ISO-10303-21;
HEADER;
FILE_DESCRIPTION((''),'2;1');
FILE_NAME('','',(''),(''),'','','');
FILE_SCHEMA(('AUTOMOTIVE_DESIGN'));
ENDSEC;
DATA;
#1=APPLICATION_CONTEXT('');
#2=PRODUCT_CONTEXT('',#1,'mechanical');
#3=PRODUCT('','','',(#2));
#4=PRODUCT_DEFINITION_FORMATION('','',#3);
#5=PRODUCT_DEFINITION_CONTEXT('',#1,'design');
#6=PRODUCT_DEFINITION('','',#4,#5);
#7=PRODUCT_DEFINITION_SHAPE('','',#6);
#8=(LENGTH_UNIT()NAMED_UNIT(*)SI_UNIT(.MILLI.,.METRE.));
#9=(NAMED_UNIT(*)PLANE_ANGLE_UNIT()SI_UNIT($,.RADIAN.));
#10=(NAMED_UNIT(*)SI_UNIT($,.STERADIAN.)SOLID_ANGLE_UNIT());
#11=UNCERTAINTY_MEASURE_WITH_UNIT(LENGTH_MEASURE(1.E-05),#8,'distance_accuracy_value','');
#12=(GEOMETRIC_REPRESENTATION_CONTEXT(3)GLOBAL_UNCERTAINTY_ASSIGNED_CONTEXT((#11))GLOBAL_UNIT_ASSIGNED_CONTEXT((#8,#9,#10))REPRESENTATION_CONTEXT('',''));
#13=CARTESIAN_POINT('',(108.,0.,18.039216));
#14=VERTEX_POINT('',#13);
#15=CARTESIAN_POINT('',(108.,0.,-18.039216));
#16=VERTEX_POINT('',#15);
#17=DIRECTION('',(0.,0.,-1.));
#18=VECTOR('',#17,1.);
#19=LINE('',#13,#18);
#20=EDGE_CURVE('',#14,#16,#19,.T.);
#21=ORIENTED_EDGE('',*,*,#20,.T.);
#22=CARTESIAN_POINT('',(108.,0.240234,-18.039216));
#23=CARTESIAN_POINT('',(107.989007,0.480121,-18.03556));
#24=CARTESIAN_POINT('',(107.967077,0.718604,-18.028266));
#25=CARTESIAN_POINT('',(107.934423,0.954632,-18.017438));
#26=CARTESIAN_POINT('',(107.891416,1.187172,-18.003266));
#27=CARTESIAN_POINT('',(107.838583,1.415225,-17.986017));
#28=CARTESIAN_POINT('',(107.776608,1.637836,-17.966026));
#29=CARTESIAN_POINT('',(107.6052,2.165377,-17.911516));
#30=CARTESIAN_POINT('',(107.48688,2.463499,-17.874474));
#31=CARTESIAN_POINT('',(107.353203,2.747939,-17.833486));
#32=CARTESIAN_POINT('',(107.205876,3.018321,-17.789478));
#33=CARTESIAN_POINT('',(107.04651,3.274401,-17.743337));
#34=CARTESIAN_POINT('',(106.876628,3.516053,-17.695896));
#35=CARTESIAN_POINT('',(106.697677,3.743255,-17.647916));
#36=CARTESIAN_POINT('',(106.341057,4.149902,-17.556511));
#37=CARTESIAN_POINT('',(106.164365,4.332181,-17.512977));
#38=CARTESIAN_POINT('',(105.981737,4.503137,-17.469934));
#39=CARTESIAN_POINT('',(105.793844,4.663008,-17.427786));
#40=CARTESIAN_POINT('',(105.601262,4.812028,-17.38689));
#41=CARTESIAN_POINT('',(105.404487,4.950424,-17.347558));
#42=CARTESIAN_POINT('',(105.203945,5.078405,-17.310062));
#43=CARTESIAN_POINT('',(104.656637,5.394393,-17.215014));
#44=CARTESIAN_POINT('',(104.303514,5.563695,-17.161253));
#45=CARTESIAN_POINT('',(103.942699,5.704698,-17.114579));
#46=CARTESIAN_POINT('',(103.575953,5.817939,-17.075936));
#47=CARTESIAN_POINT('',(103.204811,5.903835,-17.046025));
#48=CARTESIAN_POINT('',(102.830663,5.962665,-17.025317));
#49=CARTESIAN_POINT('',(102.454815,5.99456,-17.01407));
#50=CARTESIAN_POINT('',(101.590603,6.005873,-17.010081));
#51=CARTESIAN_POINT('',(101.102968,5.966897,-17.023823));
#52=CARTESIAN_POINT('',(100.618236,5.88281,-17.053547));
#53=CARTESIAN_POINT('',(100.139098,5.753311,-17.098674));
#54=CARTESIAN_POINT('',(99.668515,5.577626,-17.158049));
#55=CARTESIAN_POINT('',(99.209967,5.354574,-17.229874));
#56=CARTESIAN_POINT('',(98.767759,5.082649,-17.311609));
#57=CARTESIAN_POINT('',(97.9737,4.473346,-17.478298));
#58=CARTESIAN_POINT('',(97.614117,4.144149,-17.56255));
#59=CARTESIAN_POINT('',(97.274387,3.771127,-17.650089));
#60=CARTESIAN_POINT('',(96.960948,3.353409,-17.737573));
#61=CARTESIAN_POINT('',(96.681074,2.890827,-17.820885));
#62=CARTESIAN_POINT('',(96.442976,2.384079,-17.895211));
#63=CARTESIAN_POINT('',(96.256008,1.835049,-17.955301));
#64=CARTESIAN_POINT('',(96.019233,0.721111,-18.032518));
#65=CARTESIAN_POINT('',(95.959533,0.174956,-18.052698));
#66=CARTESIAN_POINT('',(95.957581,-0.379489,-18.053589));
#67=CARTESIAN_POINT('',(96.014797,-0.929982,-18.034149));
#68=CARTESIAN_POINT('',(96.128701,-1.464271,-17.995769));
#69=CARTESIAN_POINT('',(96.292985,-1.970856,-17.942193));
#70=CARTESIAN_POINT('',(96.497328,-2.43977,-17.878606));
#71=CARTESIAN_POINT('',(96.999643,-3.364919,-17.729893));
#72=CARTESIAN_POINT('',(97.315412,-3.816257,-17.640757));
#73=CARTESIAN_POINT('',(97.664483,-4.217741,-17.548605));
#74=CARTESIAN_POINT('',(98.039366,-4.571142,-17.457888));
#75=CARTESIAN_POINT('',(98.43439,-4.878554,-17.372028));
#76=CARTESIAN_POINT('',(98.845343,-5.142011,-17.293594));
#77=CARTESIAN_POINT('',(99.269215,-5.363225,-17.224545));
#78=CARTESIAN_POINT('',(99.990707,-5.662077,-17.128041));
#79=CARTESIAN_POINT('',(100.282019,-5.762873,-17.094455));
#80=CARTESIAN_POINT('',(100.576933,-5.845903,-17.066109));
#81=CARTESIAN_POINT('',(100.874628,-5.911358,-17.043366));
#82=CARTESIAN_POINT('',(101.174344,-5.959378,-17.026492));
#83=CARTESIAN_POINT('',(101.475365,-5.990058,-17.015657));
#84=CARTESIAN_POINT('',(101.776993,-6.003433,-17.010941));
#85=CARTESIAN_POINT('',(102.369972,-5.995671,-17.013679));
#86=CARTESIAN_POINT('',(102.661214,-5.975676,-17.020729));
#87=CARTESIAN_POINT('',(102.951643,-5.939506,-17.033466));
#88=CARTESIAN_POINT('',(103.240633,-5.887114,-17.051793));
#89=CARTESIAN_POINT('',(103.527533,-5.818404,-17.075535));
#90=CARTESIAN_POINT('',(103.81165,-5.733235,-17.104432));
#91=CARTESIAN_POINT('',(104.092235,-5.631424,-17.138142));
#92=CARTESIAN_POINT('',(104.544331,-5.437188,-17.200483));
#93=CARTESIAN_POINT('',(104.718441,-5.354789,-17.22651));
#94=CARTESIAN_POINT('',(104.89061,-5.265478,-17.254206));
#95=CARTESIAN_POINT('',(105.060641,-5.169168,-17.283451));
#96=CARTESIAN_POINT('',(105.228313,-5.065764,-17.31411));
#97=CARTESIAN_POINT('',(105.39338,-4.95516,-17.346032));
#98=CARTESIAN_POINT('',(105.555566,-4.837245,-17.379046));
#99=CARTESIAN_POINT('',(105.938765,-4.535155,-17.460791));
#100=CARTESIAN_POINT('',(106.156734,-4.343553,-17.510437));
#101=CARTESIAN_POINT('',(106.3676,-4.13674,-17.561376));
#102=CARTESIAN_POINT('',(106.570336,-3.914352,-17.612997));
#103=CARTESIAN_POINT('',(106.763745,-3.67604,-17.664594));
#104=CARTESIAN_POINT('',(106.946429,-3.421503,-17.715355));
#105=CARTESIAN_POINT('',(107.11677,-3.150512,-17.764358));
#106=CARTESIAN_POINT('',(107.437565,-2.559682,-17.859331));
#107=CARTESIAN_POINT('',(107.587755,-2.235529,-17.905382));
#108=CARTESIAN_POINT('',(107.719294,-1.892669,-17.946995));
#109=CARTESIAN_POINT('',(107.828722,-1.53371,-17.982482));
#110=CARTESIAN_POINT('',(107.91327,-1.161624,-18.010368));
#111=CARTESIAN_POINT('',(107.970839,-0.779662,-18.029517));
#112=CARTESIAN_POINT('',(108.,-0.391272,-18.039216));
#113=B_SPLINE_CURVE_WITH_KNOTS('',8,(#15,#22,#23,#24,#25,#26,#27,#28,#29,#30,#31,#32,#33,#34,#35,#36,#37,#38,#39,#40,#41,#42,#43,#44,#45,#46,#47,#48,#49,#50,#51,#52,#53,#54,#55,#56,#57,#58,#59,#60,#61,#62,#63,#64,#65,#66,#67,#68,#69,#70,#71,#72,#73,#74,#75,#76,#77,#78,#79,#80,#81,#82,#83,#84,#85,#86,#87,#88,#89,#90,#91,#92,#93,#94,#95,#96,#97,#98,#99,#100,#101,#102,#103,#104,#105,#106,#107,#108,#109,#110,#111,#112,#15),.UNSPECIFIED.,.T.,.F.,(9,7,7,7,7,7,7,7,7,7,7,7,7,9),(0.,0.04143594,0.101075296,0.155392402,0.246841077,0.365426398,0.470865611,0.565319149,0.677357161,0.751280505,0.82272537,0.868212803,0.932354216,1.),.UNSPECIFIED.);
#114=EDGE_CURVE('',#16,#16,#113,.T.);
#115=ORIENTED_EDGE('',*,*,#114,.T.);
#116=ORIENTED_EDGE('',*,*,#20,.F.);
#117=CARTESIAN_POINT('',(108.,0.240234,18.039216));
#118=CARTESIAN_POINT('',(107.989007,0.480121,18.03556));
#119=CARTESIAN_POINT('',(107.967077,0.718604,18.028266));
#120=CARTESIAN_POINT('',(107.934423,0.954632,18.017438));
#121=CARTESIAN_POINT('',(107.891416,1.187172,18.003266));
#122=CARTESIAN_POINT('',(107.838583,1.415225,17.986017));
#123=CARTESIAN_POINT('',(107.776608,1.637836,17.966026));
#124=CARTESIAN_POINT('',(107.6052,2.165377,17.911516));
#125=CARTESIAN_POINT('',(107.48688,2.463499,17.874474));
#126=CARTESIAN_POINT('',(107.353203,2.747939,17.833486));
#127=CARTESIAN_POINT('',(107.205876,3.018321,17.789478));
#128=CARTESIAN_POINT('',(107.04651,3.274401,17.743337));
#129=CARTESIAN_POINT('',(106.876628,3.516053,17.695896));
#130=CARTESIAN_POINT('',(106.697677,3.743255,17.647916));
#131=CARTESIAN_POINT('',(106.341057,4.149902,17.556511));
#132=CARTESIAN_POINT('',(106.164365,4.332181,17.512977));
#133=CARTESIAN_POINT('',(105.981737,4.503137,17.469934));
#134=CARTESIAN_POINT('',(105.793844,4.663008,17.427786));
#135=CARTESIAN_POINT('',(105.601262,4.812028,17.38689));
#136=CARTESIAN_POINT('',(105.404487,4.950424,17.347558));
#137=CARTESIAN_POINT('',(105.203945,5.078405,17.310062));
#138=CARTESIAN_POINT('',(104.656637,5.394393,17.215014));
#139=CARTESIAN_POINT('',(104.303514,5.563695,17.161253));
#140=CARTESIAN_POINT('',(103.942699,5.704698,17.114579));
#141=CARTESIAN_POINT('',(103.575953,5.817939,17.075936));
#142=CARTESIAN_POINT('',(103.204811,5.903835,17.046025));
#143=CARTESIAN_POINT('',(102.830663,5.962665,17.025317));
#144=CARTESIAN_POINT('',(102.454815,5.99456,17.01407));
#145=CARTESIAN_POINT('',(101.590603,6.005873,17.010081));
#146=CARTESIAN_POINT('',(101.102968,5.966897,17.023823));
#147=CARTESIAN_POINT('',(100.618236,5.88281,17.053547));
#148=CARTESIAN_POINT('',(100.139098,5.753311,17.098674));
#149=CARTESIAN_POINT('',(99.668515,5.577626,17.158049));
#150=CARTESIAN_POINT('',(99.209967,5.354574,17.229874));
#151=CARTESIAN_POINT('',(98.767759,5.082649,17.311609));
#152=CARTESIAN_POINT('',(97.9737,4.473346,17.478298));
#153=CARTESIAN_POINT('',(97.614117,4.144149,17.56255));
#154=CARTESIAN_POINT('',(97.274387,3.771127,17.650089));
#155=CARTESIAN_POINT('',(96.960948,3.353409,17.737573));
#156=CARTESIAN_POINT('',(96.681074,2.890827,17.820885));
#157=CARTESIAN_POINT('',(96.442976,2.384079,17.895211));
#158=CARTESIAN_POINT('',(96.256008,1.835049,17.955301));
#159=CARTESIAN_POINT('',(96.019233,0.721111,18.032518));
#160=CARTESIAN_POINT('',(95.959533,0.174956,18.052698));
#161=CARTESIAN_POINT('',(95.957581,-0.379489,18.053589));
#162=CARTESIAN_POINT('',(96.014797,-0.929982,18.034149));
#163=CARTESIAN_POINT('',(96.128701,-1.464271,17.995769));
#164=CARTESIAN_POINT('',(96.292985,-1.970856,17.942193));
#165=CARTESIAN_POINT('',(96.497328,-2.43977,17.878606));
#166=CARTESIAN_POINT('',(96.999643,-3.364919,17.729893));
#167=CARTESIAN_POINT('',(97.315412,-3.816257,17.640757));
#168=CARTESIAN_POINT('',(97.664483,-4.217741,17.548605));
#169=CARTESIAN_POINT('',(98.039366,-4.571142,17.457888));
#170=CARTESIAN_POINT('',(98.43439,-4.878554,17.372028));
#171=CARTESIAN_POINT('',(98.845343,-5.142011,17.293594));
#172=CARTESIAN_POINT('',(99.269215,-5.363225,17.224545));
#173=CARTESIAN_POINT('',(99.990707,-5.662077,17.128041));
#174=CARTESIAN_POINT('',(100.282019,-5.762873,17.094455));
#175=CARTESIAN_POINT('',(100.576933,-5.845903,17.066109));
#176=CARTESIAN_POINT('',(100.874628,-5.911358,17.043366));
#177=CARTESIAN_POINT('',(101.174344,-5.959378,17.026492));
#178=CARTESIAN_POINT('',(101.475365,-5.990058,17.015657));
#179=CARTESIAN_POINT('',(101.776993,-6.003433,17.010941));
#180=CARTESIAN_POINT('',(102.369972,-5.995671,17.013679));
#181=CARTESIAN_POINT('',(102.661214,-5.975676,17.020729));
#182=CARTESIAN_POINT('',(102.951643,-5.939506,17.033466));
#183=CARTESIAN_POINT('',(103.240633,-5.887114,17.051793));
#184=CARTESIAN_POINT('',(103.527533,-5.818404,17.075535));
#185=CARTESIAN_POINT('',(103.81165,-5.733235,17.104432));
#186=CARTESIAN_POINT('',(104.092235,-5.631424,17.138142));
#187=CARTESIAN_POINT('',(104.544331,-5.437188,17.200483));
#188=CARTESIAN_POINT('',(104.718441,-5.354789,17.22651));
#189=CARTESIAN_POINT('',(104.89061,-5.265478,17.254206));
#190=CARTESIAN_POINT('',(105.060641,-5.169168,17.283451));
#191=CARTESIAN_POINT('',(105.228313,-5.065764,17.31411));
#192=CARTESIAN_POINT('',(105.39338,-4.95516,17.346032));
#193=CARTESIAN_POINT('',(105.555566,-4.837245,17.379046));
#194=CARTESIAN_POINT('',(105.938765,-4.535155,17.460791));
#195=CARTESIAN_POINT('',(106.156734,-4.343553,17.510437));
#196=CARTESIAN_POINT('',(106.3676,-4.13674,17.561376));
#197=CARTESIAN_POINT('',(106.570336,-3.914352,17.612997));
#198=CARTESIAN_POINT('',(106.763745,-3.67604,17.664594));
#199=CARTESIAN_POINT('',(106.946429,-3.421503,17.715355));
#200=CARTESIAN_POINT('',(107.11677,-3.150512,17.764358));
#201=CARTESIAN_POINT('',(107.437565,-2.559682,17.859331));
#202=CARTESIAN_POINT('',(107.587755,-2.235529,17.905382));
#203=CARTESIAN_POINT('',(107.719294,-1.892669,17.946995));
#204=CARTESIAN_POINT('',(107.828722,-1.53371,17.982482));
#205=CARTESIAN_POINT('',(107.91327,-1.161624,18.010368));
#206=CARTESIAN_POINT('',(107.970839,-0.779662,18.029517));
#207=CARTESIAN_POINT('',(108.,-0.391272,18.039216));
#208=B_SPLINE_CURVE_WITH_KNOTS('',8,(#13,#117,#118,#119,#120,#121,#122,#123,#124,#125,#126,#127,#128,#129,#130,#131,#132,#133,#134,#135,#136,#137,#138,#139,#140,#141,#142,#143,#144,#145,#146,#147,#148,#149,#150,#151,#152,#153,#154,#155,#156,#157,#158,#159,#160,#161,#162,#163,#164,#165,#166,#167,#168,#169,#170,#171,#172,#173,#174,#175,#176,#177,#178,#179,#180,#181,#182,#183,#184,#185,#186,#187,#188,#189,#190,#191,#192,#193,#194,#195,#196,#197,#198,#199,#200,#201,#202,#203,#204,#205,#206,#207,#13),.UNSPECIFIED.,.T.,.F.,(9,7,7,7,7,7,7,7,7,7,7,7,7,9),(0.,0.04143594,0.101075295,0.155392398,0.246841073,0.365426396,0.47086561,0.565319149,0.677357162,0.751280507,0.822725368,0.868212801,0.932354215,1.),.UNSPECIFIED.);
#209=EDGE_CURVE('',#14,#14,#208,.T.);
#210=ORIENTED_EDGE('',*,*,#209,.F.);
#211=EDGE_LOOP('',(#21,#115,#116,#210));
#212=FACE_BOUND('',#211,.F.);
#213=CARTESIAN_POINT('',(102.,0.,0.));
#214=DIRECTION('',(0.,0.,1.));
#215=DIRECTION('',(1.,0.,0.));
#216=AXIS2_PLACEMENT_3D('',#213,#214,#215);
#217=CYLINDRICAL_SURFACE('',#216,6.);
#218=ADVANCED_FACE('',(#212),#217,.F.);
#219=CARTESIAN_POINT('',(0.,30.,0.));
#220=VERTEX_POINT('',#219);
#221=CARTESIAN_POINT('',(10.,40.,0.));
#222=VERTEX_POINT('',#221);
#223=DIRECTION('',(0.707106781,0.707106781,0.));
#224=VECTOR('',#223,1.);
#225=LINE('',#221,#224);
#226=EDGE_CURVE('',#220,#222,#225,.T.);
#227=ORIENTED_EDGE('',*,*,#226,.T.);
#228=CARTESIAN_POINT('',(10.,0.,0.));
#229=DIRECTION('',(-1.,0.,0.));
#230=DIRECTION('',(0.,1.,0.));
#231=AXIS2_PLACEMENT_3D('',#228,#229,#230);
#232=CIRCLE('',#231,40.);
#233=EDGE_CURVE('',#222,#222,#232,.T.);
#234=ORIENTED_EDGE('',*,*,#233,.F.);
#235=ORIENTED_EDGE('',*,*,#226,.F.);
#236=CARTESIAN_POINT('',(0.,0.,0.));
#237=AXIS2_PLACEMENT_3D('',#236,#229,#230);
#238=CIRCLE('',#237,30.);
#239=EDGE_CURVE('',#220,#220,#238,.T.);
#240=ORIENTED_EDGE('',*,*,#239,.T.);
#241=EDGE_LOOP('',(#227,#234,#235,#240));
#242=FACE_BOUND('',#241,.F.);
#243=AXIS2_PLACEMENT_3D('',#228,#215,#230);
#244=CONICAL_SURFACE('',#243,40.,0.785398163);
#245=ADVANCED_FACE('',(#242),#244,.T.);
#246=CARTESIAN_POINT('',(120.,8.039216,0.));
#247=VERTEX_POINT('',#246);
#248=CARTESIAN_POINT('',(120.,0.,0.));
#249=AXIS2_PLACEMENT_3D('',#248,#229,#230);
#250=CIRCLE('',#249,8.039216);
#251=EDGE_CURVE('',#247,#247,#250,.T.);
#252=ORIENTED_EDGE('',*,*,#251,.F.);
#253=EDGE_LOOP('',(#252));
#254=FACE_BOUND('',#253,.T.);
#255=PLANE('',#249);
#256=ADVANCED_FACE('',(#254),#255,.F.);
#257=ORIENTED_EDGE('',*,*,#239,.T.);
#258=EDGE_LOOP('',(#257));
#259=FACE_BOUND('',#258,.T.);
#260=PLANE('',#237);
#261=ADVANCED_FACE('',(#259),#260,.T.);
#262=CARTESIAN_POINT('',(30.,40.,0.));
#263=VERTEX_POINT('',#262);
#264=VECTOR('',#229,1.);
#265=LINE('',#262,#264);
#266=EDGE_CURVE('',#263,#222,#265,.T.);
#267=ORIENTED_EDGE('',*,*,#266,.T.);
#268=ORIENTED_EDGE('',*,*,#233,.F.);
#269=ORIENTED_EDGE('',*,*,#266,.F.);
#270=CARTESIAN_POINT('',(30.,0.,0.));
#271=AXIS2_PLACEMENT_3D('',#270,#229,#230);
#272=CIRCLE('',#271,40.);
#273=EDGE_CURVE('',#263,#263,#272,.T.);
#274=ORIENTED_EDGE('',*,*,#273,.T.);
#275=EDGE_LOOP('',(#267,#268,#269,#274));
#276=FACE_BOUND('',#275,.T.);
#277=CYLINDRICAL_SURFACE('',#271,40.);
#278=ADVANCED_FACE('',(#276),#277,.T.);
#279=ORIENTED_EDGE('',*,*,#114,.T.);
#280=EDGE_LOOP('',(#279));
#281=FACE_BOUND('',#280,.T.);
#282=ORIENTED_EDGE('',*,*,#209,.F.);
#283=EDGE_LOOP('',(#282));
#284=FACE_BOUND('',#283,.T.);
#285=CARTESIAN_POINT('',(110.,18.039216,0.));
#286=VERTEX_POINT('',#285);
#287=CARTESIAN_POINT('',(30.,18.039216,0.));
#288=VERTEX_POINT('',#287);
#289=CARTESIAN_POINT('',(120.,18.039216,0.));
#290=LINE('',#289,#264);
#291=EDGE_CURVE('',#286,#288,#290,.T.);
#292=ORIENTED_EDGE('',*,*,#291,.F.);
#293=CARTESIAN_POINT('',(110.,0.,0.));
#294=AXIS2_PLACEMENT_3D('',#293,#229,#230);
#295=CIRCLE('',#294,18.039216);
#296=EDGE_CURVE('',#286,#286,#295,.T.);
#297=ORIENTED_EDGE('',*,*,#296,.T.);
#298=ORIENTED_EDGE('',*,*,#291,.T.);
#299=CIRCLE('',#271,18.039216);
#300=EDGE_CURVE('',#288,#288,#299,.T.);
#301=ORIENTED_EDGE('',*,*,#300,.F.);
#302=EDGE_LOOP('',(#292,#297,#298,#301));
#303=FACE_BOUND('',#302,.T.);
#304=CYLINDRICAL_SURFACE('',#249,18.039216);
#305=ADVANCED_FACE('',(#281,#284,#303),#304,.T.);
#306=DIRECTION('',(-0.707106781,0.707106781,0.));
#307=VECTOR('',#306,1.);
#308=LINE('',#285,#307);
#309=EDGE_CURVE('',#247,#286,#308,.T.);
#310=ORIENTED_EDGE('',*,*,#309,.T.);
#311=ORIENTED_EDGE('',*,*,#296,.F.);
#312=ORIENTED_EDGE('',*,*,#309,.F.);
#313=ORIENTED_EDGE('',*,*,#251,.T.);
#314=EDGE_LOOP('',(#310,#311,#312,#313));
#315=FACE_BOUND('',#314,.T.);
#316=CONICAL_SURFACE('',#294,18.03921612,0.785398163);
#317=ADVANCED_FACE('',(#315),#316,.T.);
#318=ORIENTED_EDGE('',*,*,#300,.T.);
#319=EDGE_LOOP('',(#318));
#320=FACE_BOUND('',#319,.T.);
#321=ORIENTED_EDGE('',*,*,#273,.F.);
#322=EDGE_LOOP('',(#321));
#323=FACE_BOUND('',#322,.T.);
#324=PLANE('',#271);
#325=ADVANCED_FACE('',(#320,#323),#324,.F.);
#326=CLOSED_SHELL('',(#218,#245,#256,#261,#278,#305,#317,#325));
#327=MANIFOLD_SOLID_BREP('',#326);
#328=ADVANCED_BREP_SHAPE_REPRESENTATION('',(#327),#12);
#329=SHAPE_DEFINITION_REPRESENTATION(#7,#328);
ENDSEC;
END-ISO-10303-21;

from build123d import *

# Parameters (mm, degrees)
F2_SIZE2      = 10
F2_SIZE       = 10
F3_R          = 6
F4_DEPTH      = 40.001
F4_DEPTH_BACK = 40.001


with BuildPart() as f1:
    # F0 (on Top) → F1 (revolve)
    with BuildSketch(Plane.XY):
        Polygon((0, 40), (0, 0), (120, 0), (120, 18.0392161204), (30, 18.0392161204), (30, 40), align=None)
    revolve(axis=Axis((60, 0, 0), (-1, 0, 0)))

    # F2
    f2_edges = [f1.edges().sort_by_distance(p)[0] for p in [
        (0, -40, 0),
        (120, -18.039216, 0),
    ]]
    chamfer(f2_edges, length=F2_SIZE, length2=F2_SIZE2)

    # F3 (on Top) → F4 (cut, two sides)
    with BuildSketch(Plane.XY) as f4_sk:
        with Locations((102, 0)):
            Circle(F3_R)
    extrude(amount=-F4_DEPTH, mode=Mode.SUBTRACT)
    extrude(f4_sk.sketch, amount=F4_DEPTH_BACK, mode=Mode.SUBTRACT)


solid = f1.part
